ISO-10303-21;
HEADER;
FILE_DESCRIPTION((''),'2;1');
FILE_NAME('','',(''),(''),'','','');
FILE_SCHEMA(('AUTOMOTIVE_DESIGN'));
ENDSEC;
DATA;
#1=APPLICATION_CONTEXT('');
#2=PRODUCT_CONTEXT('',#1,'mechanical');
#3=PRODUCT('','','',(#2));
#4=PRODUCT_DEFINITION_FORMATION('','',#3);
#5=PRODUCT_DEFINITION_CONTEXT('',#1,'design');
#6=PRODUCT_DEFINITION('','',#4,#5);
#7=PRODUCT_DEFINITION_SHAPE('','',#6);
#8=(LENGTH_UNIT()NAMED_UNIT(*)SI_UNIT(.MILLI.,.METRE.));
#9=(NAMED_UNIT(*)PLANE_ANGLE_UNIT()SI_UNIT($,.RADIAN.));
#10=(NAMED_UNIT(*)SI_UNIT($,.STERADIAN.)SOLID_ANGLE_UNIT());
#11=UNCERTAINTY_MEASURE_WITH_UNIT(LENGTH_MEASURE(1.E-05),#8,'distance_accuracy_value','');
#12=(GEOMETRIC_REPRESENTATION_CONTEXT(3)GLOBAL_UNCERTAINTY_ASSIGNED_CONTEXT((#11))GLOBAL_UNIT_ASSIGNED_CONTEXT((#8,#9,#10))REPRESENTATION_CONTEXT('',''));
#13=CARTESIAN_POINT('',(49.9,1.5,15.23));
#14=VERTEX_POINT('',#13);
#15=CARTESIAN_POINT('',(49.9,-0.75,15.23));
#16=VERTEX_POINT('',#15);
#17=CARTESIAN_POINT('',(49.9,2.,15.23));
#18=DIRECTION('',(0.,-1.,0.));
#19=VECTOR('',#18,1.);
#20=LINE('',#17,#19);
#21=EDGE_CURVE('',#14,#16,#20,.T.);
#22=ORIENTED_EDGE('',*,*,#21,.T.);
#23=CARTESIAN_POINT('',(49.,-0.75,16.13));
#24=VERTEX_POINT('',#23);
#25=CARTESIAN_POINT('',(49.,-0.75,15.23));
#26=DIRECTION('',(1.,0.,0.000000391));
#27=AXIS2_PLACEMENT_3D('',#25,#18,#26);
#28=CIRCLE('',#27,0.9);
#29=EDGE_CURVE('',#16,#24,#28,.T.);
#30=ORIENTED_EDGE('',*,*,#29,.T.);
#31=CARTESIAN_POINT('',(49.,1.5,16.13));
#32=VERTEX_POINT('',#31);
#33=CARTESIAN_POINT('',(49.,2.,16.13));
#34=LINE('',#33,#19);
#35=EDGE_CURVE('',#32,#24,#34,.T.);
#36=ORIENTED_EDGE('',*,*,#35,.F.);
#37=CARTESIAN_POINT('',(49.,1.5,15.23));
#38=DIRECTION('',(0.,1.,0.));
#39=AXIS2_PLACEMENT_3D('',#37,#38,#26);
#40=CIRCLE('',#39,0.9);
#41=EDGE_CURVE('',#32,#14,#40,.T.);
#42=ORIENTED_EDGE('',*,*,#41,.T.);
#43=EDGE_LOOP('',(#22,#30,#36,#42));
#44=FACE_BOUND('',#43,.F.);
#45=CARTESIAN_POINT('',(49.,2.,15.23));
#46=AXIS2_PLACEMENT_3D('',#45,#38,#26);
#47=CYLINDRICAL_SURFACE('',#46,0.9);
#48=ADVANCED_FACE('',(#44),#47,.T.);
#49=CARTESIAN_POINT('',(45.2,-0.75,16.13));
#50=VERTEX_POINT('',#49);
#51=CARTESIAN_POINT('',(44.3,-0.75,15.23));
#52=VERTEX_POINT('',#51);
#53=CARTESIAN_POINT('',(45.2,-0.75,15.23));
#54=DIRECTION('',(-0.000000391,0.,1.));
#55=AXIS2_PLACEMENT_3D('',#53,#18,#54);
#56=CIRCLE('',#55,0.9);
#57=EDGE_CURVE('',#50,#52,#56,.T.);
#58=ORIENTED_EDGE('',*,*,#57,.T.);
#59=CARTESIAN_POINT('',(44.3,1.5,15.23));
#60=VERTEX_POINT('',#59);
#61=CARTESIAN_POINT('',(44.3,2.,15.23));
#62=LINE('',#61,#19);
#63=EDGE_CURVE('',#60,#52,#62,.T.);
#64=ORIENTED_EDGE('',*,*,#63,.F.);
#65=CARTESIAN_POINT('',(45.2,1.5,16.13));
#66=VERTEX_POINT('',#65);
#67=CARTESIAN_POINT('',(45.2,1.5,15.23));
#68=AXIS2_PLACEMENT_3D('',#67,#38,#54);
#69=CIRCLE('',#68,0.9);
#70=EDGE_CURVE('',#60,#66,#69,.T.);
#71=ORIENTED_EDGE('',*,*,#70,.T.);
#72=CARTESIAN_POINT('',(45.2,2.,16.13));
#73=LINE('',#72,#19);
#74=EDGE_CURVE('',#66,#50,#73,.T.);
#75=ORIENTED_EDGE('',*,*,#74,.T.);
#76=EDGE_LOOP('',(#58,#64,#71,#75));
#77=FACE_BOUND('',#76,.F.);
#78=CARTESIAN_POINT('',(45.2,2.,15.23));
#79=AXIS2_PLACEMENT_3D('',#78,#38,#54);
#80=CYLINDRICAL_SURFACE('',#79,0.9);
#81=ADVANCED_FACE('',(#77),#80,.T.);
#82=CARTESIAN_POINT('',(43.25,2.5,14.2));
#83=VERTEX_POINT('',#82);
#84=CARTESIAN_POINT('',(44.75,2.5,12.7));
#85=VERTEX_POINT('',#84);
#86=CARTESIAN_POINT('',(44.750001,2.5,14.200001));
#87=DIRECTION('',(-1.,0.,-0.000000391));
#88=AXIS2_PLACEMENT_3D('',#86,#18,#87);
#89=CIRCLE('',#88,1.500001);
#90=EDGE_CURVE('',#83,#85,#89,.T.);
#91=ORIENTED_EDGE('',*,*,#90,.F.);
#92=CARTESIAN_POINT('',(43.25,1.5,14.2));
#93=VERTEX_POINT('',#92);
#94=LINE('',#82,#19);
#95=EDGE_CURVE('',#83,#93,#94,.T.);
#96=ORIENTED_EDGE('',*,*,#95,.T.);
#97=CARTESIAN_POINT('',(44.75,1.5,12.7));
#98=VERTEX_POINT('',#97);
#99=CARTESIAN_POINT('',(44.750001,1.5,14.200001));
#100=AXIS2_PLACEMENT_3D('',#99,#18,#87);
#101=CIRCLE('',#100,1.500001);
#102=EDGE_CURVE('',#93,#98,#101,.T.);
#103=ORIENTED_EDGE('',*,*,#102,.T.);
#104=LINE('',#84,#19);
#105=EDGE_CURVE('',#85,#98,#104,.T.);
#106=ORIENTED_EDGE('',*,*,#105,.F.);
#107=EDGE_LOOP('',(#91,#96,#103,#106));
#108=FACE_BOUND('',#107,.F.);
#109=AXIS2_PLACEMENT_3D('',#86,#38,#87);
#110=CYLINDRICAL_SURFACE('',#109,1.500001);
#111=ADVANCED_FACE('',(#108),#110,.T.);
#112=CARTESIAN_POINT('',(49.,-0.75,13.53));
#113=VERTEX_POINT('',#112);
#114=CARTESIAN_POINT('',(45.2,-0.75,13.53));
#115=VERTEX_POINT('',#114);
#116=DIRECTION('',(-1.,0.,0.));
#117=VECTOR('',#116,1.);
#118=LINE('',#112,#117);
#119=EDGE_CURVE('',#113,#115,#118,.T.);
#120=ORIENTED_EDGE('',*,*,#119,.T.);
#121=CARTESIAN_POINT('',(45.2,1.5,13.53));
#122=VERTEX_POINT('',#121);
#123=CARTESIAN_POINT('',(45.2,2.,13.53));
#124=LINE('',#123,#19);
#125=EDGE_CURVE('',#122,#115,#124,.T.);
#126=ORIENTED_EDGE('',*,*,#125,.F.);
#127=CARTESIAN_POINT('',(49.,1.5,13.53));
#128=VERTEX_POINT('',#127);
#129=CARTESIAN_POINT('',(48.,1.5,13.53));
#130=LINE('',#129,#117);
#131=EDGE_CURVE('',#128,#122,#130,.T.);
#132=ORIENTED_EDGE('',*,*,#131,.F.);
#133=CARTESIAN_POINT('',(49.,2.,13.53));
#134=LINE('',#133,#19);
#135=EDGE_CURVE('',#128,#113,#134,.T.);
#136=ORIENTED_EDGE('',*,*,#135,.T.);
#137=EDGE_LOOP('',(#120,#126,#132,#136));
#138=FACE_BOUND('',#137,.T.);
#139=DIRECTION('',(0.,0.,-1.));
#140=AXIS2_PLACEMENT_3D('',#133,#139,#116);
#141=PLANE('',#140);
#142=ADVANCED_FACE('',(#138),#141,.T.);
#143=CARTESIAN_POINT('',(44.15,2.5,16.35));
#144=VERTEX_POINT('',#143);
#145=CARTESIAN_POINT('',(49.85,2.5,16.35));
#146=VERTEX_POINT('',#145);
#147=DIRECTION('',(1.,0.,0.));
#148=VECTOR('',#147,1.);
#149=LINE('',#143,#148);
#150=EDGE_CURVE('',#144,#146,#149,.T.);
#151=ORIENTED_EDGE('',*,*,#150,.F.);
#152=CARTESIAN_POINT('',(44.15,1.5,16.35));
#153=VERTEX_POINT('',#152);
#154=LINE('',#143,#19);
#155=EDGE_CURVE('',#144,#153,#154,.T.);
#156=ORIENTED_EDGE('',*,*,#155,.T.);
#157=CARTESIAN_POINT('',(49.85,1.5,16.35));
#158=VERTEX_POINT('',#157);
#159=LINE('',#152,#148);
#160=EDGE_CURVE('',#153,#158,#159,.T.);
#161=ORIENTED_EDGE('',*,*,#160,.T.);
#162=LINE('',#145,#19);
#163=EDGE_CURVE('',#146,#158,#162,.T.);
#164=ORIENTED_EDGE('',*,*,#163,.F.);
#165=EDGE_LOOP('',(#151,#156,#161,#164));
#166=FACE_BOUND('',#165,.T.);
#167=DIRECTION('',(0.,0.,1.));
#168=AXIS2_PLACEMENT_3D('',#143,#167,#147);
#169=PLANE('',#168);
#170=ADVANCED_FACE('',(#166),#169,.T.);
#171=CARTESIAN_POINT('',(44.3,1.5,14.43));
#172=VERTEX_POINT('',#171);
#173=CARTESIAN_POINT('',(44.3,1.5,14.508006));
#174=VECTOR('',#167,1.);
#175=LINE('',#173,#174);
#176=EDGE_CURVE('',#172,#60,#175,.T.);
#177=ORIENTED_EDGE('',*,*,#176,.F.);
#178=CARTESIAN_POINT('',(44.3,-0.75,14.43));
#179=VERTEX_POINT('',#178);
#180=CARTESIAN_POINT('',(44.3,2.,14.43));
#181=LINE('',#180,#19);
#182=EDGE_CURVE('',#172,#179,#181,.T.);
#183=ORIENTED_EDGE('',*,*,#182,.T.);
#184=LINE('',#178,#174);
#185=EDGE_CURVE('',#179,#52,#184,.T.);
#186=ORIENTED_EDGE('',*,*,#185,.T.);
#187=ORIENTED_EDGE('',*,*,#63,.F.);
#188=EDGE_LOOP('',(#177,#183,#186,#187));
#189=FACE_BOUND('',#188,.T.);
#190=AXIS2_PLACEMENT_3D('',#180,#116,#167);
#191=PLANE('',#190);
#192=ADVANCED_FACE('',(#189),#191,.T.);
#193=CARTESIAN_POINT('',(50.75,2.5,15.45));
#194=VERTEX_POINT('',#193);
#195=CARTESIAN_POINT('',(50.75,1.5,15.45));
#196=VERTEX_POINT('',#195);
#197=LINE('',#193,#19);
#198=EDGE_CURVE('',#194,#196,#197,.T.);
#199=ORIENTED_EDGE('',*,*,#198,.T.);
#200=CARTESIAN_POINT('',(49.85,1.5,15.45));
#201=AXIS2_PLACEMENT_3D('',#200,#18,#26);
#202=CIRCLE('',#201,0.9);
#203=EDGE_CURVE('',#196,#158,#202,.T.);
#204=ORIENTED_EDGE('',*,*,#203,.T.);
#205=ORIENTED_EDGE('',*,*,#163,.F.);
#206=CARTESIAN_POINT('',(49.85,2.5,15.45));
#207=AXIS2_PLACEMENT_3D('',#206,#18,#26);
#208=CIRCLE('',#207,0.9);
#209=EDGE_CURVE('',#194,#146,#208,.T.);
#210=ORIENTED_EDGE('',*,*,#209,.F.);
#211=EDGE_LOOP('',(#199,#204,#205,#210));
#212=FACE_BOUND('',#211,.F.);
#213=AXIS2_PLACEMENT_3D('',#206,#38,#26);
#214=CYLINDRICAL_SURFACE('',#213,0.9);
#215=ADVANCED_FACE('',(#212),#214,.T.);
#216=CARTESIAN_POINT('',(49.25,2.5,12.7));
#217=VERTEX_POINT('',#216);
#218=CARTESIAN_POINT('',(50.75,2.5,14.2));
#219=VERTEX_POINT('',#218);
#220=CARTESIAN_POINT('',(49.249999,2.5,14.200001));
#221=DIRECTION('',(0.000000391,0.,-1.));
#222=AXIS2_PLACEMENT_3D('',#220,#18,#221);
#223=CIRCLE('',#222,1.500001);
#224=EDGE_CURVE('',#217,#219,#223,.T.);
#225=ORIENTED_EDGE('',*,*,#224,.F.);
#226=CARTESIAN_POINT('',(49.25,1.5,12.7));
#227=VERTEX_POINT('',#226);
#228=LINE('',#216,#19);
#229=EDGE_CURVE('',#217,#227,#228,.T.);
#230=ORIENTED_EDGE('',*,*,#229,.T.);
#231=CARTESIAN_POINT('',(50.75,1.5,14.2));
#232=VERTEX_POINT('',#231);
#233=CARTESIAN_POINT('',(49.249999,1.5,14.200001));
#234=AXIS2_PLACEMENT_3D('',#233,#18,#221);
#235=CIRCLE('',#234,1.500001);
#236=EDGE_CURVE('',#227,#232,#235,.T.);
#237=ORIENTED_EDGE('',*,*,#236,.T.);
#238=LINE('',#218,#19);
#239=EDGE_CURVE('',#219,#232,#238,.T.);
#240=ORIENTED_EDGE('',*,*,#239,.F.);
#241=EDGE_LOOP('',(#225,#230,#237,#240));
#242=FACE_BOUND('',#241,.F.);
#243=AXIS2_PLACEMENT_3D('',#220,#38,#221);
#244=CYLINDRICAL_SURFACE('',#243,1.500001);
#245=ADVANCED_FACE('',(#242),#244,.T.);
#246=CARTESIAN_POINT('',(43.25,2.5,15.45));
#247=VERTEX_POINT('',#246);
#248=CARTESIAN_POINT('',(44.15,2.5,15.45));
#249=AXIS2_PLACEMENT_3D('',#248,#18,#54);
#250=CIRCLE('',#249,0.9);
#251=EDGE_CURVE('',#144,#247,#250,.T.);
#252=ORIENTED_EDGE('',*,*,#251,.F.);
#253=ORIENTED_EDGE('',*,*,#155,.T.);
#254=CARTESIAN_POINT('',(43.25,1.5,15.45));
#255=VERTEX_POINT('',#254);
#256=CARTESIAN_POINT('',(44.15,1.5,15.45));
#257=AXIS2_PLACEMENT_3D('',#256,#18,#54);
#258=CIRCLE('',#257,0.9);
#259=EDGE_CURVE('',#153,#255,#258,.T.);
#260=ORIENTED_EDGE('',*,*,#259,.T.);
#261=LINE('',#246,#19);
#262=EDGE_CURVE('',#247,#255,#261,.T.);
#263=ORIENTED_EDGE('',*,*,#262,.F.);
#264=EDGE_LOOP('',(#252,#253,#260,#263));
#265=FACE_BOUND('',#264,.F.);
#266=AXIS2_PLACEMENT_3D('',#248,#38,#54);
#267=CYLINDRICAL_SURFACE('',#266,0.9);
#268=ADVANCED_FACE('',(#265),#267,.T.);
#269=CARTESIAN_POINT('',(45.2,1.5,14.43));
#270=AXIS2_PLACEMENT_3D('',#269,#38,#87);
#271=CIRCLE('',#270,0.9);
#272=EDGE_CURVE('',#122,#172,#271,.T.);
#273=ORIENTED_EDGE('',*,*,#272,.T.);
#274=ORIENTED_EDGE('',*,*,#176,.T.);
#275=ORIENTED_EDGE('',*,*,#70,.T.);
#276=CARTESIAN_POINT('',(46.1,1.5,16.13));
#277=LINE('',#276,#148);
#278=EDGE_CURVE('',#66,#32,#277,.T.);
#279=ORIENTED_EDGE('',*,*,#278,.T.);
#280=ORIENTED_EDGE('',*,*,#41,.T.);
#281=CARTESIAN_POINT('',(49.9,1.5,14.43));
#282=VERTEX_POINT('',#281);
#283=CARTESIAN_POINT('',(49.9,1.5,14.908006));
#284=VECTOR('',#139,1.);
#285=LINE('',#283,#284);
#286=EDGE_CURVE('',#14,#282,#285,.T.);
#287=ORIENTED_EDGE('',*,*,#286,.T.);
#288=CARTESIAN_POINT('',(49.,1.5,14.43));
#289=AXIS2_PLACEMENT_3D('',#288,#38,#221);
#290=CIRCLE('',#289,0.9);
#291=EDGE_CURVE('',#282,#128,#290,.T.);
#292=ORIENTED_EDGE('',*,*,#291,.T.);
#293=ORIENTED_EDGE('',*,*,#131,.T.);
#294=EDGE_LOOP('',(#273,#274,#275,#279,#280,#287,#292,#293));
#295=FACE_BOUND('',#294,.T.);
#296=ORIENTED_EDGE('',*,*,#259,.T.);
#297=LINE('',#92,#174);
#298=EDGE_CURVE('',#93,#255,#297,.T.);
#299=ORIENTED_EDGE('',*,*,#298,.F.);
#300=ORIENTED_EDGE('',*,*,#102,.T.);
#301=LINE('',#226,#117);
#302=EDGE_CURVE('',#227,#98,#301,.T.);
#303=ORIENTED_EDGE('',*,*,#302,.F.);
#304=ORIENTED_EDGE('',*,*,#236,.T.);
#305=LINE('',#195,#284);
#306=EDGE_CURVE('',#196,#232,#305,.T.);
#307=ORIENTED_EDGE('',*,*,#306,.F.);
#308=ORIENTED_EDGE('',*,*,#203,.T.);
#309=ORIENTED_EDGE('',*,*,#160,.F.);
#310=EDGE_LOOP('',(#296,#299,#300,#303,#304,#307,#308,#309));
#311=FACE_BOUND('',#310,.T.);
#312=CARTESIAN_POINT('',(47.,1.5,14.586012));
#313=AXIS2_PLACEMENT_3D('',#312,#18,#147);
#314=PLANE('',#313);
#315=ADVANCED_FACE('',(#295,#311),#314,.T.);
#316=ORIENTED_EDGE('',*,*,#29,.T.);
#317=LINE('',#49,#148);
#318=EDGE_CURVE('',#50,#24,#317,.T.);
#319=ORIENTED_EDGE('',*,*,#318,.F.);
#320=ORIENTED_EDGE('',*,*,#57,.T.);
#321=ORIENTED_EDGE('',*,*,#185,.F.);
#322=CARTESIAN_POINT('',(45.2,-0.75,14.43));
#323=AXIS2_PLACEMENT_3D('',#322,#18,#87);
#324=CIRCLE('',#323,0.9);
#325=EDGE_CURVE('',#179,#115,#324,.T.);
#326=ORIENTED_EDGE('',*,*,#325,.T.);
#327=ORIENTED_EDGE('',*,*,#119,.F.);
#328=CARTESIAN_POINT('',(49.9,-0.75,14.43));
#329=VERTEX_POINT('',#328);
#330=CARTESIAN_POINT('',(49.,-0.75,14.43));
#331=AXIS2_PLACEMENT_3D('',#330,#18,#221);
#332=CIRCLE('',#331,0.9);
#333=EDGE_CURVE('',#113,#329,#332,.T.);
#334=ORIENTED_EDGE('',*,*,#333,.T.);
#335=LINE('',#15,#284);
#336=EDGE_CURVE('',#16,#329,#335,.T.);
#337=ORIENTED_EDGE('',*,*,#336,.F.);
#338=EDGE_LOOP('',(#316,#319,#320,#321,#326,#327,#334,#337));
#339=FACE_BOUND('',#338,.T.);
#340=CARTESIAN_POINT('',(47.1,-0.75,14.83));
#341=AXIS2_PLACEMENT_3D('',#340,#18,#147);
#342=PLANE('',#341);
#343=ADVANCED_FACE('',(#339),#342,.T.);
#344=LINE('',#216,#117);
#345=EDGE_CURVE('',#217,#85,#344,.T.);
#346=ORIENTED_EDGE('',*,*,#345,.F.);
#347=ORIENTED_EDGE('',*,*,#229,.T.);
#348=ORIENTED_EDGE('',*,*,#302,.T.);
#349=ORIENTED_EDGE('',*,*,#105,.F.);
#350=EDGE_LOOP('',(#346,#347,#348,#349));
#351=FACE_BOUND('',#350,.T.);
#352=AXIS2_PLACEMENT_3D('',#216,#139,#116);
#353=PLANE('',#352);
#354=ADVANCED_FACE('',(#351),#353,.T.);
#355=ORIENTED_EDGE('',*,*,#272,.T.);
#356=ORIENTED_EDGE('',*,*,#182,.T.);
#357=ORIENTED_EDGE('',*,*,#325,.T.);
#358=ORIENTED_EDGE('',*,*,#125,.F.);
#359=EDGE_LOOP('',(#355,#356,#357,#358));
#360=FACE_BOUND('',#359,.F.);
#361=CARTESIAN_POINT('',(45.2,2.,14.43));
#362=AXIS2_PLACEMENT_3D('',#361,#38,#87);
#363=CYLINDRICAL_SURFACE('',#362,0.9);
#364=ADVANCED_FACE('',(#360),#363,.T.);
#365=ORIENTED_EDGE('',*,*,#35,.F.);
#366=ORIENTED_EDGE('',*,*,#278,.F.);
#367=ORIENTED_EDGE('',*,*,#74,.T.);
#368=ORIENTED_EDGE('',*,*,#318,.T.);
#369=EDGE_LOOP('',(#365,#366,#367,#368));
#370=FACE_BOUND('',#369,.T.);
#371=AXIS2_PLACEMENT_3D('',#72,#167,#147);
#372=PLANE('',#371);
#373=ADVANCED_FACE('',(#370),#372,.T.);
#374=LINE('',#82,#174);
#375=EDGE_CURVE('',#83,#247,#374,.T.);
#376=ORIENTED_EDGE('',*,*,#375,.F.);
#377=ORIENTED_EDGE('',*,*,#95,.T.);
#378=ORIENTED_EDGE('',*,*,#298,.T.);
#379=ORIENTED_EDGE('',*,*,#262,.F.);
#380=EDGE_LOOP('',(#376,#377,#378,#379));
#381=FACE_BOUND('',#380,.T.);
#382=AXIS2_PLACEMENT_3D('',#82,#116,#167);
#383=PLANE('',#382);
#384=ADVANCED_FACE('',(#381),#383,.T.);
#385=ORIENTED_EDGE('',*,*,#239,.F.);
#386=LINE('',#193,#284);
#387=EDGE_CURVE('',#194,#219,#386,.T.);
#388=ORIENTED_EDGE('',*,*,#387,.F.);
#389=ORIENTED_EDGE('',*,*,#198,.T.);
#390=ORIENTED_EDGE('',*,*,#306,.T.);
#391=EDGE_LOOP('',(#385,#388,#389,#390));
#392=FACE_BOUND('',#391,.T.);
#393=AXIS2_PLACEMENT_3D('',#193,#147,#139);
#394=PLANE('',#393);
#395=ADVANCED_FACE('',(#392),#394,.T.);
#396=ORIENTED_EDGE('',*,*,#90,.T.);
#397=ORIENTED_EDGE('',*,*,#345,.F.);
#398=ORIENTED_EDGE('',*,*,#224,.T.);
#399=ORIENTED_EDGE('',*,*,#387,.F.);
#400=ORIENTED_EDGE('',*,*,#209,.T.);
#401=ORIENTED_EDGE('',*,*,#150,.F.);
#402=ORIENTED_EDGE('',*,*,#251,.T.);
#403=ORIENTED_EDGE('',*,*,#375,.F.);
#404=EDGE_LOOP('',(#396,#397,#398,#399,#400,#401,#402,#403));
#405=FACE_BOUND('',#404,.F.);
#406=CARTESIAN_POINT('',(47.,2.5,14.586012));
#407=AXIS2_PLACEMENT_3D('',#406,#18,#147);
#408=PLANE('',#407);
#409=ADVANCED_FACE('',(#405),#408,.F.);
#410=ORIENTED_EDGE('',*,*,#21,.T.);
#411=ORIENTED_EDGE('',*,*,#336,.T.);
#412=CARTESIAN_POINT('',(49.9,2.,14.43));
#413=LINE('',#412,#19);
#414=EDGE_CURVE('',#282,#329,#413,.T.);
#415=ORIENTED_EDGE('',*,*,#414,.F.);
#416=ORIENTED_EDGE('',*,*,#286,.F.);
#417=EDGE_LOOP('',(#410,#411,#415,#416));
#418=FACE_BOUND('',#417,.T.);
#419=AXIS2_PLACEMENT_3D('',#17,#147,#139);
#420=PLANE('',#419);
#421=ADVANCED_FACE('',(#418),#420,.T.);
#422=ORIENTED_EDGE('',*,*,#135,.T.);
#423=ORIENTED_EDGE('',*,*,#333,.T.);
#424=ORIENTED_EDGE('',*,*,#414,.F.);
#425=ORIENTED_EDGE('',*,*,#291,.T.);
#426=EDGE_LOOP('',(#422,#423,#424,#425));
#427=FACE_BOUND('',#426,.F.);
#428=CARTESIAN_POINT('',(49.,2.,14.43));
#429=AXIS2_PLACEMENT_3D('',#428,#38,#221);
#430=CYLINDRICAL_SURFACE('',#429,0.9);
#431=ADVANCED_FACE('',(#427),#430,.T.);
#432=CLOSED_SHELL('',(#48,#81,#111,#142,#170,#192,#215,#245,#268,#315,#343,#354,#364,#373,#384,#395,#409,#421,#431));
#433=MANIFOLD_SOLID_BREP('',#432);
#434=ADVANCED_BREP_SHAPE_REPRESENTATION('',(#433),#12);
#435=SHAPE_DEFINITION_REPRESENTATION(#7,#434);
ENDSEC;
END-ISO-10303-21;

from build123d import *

# Parameters (mm, degrees)
EXTRUDE031_DEPTH = 1
EXTRUDE030_DEPTH = 2.75


with BuildPart() as extrude031:
    # Sketch034 → Extrude031 (new body)
    with BuildSketch(Plane.XZ):
        with BuildLine():
            ThreePointArc((11.7, 16.35), (11.063604, 16.086396), (10.8, 15.45))
            Line((10.8, 14.2), (10.8, 15.45))
            ThreePointArc((10.8, 14.2), (11.23934, 13.13934), (12.3, 12.7))
            Line((16.8, 12.7), (12.3, 12.7))
            ThreePointArc((16.8, 12.7), (17.86066, 13.13934), (18.3, 14.2))
            Line((18.3, 15.45), (18.3, 14.2))
            ThreePointArc((18.3, 15.45), (18.036396, 16.086396), (17.4, 16.35))
            Line((11.7, 16.35), (17.4, 16.35))
        make_face()
    extrude(amount=EXTRUDE031_DEPTH)


with BuildPart() as extrude031_1:
    # Extrude031 placement: moved
    add(extrude031.part.moved(Location((0, 2.5, 0))))


with BuildPart() as button002:
    # Sketch033 → Extrude030 (new body)
    with BuildSketch(Plane.XZ):
        with BuildLine():
            ThreePointArc((12.75, 16.13), (12.113604, 15.866396), (11.85, 15.23))
            Line((11.85, 14.43), (11.85, 15.23))
            ThreePointArc((11.85, 14.43), (12.113604, 13.793604), (12.75, 13.53))
            Line((16.55, 13.53), (12.75, 13.53))
            ThreePointArc((16.55, 13.53), (17.186396, 13.793604), (17.45, 14.43))
            Line((17.45, 15.23), (17.45, 14.43))
            ThreePointArc((17.45, 15.23), (17.186396, 15.866396), (16.55, 16.13))
            Line((12.75, 16.13), (16.55, 16.13))
        make_face()
    extrude(amount=EXTRUDE030_DEPTH)


with BuildPart() as button002_1:
    # Extrude030 placement: moved
    add(button002.part.moved(Location((0, 2, 0))))

    # Fusion033: union Extrude031
    add(extrude031_1.part)


with BuildPart() as button002_2:
    # Fusion033 placement: moved
    add(button002_1.part.moved(Location((32.45, 0, 0))))


solid = button002_2.part
